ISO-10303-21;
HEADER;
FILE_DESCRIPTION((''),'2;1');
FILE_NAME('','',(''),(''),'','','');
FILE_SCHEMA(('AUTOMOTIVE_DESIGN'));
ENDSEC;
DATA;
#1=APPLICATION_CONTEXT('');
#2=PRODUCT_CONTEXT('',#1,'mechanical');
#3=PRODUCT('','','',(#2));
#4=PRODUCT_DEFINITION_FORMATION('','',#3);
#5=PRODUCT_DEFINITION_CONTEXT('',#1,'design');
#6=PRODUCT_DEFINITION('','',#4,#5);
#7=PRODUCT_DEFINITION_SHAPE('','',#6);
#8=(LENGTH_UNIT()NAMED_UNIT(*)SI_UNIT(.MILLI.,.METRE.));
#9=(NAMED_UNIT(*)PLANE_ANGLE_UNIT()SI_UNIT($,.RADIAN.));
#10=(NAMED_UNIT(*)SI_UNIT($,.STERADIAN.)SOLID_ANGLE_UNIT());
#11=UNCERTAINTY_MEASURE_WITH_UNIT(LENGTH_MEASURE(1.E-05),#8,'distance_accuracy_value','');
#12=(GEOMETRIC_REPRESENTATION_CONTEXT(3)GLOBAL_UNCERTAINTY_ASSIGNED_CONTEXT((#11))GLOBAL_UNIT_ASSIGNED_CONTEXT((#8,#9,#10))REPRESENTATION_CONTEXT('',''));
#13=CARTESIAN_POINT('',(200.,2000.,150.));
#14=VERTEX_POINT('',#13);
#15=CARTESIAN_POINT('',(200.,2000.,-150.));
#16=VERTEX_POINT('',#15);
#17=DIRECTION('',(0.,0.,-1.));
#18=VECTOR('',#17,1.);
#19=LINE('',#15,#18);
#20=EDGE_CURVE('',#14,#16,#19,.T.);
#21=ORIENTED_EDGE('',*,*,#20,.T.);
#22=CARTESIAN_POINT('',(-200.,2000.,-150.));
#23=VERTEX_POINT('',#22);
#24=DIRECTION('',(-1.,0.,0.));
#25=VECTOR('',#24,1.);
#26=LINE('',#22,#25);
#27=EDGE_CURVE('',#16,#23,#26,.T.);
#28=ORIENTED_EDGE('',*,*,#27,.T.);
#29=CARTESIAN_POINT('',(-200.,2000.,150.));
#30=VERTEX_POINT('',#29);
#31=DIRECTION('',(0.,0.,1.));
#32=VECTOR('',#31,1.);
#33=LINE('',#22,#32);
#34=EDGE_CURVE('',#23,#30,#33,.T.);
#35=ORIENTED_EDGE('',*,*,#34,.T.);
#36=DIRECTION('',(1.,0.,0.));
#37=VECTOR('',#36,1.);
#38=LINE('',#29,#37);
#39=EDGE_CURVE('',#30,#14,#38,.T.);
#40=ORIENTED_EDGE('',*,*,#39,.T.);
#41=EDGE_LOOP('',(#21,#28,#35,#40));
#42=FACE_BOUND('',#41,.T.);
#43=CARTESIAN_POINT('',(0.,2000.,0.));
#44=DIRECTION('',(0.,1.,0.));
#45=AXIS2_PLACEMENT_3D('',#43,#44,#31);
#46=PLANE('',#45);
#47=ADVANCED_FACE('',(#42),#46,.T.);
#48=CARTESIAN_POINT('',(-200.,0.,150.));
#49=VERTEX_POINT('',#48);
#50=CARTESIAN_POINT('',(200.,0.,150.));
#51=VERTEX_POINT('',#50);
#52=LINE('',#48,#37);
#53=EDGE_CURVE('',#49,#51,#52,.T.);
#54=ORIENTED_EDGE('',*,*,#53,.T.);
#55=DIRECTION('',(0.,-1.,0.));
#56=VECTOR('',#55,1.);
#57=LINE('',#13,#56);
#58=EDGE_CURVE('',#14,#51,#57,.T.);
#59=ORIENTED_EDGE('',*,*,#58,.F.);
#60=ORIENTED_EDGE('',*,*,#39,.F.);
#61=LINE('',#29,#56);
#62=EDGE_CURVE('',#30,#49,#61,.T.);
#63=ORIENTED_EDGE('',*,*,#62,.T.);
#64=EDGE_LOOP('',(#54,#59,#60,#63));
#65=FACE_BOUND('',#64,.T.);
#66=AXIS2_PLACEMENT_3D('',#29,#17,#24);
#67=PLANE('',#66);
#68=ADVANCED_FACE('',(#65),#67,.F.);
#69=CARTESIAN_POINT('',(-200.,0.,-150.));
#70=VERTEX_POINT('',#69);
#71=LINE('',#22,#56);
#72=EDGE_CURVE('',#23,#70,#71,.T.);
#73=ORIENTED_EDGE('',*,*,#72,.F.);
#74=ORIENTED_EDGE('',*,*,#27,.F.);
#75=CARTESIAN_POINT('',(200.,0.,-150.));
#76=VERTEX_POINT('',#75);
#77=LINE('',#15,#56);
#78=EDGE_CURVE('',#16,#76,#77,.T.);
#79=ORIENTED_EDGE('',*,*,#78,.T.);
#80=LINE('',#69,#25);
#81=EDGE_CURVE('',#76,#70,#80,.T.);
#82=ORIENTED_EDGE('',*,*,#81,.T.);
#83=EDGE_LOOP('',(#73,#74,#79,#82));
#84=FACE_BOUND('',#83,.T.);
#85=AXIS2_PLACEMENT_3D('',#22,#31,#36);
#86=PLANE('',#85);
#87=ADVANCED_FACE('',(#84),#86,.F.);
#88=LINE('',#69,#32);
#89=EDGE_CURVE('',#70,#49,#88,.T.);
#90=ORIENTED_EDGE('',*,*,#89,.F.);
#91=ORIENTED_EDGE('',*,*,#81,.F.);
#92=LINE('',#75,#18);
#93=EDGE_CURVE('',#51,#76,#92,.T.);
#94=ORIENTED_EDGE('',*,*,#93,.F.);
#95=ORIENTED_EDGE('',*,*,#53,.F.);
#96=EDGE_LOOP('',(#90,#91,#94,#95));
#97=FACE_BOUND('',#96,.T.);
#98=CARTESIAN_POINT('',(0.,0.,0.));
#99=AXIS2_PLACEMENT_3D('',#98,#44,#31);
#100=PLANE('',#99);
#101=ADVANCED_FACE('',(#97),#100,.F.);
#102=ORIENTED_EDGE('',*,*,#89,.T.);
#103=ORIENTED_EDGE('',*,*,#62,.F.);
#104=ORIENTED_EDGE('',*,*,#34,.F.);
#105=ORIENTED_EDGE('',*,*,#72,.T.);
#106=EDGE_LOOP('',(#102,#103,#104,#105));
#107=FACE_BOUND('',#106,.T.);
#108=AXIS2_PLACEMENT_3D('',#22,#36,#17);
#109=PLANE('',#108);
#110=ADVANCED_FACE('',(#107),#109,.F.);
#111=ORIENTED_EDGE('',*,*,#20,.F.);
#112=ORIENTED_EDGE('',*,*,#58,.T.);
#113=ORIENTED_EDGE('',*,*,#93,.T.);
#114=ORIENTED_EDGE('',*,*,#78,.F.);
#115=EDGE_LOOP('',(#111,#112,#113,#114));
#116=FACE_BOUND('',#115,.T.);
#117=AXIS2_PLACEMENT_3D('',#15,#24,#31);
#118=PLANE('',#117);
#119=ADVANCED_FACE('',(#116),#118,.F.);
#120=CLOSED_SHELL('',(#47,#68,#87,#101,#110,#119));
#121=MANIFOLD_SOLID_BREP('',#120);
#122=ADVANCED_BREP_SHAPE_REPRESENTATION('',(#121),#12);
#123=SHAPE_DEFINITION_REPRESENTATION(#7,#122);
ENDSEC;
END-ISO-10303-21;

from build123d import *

# Parameters (mm, degrees)
SKETCH_1_W      = 400
SKETCH_1_H      = 300
EXTRUDE_1_DEPTH = 2000


with BuildPart() as part:
    # 草圖1 → 填料-伸長1 (new body)
    with BuildSketch(Plane(origin=(0, 0, 0), x_dir=(1, 0, 0), z_dir=(0, 1, 0))):
        Rectangle(SKETCH_1_W, SKETCH_1_H)
    extrude(amount=EXTRUDE_1_DEPTH)


solid = part.part
